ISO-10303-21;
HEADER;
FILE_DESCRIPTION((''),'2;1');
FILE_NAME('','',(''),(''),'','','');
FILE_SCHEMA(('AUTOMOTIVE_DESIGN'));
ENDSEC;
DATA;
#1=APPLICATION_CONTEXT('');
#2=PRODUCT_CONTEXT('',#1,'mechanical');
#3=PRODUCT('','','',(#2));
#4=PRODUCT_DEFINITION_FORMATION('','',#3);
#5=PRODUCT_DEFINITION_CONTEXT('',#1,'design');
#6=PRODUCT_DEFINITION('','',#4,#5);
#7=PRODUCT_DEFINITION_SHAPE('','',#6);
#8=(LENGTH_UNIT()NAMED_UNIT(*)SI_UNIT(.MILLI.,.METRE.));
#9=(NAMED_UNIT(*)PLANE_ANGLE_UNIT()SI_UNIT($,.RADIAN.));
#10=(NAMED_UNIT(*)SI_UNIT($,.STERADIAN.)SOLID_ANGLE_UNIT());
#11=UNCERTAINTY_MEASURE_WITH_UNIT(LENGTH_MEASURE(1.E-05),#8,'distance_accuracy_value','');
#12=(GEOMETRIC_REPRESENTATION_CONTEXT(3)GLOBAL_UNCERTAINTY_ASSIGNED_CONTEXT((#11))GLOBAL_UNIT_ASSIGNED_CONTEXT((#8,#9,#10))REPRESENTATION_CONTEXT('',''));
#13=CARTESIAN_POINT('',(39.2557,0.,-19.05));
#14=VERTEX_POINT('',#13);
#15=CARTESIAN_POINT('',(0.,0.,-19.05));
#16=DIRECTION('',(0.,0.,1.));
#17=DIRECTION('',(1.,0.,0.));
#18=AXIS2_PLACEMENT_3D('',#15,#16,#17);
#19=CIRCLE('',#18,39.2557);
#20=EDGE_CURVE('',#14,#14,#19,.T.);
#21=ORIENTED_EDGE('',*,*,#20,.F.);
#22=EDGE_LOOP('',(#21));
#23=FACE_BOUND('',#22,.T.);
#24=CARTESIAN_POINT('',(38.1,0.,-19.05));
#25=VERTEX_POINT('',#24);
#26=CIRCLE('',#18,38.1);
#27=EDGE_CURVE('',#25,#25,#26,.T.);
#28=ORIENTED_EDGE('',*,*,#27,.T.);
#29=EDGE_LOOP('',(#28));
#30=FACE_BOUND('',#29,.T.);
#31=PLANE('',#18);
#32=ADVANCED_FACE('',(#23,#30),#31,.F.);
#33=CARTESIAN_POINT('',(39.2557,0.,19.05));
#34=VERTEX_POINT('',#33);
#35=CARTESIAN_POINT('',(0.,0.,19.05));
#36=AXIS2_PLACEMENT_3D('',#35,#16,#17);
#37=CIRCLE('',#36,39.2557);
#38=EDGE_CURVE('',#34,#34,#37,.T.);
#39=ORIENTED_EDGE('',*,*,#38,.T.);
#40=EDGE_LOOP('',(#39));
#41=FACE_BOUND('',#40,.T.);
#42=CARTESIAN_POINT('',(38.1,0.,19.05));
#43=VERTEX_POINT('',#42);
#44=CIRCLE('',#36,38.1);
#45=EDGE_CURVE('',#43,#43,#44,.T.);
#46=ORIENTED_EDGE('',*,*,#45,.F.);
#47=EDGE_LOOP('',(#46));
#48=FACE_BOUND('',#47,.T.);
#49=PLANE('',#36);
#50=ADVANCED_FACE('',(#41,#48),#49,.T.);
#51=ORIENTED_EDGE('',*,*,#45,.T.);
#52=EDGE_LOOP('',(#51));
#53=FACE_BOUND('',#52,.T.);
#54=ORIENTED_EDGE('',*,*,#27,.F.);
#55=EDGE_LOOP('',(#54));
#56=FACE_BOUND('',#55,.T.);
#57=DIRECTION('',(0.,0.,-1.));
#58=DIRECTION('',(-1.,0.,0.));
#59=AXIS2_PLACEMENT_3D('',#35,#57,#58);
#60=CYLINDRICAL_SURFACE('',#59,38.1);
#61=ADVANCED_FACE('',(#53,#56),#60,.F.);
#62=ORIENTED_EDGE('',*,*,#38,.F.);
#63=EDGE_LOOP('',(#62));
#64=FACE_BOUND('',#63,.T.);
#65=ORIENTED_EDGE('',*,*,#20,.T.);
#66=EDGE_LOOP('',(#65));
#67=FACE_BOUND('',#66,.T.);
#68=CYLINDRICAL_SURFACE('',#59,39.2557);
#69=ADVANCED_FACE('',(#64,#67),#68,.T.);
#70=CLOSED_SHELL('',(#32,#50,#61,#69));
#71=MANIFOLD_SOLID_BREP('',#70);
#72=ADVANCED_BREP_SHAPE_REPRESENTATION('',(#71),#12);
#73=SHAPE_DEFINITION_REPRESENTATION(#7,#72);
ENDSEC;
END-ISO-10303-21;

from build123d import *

# Parameters (mm, degrees)
SKETCH1_R           = 39.2557
SKETCH1_R_2         = 38.1
BOSS_EXTRUDE1_DEPTH = 19.05


with BuildPart() as part:
    # Sketch1 → Boss-Extrude1 (new body, symmetric)
    with BuildSketch(Plane.XY):
        Circle(SKETCH1_R)
        Circle(SKETCH1_R_2, mode=Mode.SUBTRACT)
    extrude(amount=BOSS_EXTRUDE1_DEPTH, both=True)


solid = part.part
